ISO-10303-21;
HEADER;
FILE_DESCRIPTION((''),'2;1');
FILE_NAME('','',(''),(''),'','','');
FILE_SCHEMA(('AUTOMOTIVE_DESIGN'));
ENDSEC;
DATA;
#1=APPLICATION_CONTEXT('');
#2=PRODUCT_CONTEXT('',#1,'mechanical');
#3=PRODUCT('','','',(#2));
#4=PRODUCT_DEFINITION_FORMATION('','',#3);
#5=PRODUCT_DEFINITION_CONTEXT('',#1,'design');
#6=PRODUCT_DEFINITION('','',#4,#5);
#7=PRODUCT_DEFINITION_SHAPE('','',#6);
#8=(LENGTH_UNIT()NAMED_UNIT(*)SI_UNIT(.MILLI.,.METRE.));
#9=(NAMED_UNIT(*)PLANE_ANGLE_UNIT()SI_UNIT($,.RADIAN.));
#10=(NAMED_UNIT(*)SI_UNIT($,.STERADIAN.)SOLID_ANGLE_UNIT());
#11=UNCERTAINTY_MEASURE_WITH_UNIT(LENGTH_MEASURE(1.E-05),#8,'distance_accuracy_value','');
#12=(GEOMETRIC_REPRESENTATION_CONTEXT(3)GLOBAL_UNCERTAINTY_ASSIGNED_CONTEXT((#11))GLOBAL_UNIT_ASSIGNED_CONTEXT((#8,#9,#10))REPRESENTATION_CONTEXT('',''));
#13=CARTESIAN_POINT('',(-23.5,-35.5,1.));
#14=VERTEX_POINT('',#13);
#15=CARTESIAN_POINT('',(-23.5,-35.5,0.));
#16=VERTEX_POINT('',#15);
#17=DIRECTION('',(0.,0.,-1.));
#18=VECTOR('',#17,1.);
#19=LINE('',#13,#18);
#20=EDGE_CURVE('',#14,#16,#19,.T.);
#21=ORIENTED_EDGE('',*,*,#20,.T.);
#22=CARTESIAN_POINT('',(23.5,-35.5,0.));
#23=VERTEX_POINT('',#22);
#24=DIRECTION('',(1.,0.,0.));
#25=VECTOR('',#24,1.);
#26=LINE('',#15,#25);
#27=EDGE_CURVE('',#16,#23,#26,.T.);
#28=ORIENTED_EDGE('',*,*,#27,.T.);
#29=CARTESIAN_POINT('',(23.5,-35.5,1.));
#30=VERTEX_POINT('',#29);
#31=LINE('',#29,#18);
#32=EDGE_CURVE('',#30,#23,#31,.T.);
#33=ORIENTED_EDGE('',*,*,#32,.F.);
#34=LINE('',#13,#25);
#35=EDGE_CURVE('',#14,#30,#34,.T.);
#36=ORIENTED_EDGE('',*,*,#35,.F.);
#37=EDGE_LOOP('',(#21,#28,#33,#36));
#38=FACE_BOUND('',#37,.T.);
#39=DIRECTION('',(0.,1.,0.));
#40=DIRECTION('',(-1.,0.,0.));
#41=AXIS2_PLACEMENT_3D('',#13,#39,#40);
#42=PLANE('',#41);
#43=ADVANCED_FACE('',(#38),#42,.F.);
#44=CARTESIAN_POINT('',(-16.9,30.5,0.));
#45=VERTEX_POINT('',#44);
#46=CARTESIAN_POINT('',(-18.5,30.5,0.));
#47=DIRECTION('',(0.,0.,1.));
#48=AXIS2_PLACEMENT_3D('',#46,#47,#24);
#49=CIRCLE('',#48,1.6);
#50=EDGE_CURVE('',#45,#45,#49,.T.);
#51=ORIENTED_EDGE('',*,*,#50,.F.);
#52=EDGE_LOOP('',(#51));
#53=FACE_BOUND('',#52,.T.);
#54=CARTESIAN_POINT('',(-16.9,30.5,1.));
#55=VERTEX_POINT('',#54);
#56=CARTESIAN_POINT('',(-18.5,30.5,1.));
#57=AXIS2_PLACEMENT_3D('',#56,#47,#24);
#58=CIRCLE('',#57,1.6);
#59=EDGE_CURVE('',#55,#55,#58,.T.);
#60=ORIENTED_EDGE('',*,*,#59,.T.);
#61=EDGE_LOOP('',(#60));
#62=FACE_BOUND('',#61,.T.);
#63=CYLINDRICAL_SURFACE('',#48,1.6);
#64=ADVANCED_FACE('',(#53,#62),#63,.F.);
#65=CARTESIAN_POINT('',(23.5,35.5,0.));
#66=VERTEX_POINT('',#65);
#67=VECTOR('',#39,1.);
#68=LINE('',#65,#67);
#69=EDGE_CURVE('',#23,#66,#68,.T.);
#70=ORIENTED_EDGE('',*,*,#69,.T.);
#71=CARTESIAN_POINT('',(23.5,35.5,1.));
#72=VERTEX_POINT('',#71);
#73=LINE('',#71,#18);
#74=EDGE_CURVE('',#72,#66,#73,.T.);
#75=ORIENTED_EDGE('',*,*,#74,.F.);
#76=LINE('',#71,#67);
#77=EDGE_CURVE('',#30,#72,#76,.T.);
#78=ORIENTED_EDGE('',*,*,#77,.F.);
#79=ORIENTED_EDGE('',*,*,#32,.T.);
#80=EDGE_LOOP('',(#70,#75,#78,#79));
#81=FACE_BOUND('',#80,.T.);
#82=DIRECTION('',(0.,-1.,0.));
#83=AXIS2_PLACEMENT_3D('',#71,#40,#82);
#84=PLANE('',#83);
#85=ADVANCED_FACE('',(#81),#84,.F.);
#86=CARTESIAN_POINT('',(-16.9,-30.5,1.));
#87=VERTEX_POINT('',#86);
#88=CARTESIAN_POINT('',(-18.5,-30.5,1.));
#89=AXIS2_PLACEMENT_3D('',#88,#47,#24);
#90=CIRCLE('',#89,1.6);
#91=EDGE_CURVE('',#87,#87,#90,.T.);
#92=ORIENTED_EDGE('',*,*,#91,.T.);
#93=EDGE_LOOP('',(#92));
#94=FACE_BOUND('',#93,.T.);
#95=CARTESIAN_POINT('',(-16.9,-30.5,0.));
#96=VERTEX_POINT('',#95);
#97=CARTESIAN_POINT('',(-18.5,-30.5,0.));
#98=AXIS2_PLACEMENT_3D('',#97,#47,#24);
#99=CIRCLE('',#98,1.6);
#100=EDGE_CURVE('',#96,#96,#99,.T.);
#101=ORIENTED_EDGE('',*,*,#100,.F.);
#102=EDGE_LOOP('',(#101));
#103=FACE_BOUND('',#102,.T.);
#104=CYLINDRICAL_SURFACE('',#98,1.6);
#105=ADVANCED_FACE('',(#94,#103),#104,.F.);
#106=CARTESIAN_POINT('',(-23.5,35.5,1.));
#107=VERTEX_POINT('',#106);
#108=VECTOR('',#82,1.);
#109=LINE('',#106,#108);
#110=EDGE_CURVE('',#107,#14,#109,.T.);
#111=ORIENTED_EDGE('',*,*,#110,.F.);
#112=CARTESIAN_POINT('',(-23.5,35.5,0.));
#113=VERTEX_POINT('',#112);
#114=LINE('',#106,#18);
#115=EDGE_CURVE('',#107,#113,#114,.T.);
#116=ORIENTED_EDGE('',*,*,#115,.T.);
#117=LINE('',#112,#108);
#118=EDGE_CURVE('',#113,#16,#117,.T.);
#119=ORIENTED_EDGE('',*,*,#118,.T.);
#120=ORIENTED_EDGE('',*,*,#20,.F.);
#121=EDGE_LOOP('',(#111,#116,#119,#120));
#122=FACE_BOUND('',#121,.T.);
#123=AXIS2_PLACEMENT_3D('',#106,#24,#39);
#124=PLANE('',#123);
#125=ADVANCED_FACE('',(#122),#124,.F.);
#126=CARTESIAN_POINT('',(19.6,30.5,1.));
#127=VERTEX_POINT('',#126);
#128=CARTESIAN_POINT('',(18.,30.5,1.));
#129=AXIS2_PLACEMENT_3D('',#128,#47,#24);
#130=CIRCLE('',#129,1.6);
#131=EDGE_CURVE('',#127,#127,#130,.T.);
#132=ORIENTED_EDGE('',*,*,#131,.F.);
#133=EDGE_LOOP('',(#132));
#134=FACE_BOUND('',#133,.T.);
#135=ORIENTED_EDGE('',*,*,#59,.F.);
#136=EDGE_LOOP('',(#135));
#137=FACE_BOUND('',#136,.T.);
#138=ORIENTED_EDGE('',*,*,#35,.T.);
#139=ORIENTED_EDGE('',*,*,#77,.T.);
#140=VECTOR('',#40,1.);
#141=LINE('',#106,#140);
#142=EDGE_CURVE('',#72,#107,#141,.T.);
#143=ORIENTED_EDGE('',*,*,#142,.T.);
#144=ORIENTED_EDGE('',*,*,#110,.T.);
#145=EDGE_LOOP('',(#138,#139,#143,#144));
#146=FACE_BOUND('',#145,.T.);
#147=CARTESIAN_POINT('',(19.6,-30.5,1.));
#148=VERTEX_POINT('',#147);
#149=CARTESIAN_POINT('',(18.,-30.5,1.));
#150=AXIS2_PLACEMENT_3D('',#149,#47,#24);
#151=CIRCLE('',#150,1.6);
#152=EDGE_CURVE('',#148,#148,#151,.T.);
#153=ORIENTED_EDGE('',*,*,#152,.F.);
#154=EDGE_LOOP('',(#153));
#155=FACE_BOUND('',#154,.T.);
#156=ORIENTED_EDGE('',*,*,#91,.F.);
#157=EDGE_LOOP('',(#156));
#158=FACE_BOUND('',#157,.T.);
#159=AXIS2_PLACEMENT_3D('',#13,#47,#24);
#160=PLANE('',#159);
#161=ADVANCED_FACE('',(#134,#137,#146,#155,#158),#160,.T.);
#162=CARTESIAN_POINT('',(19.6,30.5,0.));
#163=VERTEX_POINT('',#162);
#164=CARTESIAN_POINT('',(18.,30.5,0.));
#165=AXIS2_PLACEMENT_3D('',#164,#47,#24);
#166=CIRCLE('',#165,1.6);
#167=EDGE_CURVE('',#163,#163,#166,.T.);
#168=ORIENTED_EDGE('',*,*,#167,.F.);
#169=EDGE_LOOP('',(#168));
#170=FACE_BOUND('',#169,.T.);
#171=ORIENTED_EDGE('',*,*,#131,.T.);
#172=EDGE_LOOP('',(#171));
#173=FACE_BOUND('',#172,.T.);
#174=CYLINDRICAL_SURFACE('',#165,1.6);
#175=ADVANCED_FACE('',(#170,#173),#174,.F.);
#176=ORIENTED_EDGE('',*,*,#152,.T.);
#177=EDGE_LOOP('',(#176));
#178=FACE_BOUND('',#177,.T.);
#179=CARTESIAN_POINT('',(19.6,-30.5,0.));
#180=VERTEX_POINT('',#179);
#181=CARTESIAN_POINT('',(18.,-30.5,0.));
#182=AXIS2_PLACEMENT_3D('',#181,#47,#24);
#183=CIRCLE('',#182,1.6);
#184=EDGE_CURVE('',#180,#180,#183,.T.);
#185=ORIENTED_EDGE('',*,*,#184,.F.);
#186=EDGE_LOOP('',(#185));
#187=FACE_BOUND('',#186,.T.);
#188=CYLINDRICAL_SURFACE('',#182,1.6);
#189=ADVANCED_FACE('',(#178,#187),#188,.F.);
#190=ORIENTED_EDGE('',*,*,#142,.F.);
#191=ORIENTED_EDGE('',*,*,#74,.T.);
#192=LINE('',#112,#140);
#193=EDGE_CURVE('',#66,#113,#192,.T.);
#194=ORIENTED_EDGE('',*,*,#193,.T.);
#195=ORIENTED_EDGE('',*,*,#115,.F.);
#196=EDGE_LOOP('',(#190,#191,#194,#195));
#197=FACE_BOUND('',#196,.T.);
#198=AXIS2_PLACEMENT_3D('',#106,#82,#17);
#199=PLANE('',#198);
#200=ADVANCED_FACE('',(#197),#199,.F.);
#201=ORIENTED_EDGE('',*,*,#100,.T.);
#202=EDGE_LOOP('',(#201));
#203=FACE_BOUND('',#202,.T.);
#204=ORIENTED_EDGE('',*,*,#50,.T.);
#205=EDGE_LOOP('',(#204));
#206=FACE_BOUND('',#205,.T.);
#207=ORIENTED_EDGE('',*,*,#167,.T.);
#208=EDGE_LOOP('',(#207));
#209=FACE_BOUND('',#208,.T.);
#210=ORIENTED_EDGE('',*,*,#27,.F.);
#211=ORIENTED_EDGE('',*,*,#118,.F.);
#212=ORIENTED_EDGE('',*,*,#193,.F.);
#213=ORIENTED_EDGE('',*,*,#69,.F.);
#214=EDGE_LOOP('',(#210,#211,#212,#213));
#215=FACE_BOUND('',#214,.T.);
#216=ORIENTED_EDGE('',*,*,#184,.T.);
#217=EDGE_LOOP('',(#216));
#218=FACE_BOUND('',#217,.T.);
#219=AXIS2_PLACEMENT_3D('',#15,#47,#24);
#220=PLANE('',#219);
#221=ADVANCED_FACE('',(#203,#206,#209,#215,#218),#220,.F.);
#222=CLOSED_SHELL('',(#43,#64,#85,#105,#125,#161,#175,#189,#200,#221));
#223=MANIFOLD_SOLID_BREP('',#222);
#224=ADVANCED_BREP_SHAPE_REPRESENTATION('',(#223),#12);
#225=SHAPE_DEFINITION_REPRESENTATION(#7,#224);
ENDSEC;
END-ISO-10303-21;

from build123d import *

# Parameters (mm, degrees)
SKETCH_1_W                  = 47
SKETCH_1_H                  = 71
EXTRUDE_1_DEPTH             = 1
SKETCH_2_R                  = 1.6
CUT_EXTRUDE_1_DEPTH         = 1
PATTERN_LINEAR_1_COUNT      = 2
PATTERN_LINEAR_1_PITCH      = 36.5
PATTERN_LINEAR_1_COUNT_DIR2 = 2
PATTERN_LINEAR_1_PITCH_DIR2 = 61


with BuildPart() as part:
    # ｽｹｯﾁ1 → ﾎﾞｽ - 押し出し1 (new body)
    with BuildSketch(Plane.XY):
        Rectangle(SKETCH_1_W, SKETCH_1_H)
    extrude(amount=EXTRUDE_1_DEPTH)

    # ｽｹｯﾁ2 → ｶｯﾄ - 押し出し1 (cut)
    with BuildSketch(Plane.XY.offset(1)):
        with Locations((-18.5, -30.5)):
            Circle(SKETCH_2_R)
    cut_extrude_1 = extrude(amount=-CUT_EXTRUDE_1_DEPTH, mode=Mode.SUBTRACT)

    # 直線ﾊﾟﾀｰﾝ1: Cut-Extrude 1 2 × 2
    with Locations(*[(i * PATTERN_LINEAR_1_PITCH, j * PATTERN_LINEAR_1_PITCH_DIR2, 0) for i in range(PATTERN_LINEAR_1_COUNT) for j in range(PATTERN_LINEAR_1_COUNT_DIR2) if (i, j) != (0, 0)]):
        add(cut_extrude_1, mode=Mode.SUBTRACT)


solid = part.part
